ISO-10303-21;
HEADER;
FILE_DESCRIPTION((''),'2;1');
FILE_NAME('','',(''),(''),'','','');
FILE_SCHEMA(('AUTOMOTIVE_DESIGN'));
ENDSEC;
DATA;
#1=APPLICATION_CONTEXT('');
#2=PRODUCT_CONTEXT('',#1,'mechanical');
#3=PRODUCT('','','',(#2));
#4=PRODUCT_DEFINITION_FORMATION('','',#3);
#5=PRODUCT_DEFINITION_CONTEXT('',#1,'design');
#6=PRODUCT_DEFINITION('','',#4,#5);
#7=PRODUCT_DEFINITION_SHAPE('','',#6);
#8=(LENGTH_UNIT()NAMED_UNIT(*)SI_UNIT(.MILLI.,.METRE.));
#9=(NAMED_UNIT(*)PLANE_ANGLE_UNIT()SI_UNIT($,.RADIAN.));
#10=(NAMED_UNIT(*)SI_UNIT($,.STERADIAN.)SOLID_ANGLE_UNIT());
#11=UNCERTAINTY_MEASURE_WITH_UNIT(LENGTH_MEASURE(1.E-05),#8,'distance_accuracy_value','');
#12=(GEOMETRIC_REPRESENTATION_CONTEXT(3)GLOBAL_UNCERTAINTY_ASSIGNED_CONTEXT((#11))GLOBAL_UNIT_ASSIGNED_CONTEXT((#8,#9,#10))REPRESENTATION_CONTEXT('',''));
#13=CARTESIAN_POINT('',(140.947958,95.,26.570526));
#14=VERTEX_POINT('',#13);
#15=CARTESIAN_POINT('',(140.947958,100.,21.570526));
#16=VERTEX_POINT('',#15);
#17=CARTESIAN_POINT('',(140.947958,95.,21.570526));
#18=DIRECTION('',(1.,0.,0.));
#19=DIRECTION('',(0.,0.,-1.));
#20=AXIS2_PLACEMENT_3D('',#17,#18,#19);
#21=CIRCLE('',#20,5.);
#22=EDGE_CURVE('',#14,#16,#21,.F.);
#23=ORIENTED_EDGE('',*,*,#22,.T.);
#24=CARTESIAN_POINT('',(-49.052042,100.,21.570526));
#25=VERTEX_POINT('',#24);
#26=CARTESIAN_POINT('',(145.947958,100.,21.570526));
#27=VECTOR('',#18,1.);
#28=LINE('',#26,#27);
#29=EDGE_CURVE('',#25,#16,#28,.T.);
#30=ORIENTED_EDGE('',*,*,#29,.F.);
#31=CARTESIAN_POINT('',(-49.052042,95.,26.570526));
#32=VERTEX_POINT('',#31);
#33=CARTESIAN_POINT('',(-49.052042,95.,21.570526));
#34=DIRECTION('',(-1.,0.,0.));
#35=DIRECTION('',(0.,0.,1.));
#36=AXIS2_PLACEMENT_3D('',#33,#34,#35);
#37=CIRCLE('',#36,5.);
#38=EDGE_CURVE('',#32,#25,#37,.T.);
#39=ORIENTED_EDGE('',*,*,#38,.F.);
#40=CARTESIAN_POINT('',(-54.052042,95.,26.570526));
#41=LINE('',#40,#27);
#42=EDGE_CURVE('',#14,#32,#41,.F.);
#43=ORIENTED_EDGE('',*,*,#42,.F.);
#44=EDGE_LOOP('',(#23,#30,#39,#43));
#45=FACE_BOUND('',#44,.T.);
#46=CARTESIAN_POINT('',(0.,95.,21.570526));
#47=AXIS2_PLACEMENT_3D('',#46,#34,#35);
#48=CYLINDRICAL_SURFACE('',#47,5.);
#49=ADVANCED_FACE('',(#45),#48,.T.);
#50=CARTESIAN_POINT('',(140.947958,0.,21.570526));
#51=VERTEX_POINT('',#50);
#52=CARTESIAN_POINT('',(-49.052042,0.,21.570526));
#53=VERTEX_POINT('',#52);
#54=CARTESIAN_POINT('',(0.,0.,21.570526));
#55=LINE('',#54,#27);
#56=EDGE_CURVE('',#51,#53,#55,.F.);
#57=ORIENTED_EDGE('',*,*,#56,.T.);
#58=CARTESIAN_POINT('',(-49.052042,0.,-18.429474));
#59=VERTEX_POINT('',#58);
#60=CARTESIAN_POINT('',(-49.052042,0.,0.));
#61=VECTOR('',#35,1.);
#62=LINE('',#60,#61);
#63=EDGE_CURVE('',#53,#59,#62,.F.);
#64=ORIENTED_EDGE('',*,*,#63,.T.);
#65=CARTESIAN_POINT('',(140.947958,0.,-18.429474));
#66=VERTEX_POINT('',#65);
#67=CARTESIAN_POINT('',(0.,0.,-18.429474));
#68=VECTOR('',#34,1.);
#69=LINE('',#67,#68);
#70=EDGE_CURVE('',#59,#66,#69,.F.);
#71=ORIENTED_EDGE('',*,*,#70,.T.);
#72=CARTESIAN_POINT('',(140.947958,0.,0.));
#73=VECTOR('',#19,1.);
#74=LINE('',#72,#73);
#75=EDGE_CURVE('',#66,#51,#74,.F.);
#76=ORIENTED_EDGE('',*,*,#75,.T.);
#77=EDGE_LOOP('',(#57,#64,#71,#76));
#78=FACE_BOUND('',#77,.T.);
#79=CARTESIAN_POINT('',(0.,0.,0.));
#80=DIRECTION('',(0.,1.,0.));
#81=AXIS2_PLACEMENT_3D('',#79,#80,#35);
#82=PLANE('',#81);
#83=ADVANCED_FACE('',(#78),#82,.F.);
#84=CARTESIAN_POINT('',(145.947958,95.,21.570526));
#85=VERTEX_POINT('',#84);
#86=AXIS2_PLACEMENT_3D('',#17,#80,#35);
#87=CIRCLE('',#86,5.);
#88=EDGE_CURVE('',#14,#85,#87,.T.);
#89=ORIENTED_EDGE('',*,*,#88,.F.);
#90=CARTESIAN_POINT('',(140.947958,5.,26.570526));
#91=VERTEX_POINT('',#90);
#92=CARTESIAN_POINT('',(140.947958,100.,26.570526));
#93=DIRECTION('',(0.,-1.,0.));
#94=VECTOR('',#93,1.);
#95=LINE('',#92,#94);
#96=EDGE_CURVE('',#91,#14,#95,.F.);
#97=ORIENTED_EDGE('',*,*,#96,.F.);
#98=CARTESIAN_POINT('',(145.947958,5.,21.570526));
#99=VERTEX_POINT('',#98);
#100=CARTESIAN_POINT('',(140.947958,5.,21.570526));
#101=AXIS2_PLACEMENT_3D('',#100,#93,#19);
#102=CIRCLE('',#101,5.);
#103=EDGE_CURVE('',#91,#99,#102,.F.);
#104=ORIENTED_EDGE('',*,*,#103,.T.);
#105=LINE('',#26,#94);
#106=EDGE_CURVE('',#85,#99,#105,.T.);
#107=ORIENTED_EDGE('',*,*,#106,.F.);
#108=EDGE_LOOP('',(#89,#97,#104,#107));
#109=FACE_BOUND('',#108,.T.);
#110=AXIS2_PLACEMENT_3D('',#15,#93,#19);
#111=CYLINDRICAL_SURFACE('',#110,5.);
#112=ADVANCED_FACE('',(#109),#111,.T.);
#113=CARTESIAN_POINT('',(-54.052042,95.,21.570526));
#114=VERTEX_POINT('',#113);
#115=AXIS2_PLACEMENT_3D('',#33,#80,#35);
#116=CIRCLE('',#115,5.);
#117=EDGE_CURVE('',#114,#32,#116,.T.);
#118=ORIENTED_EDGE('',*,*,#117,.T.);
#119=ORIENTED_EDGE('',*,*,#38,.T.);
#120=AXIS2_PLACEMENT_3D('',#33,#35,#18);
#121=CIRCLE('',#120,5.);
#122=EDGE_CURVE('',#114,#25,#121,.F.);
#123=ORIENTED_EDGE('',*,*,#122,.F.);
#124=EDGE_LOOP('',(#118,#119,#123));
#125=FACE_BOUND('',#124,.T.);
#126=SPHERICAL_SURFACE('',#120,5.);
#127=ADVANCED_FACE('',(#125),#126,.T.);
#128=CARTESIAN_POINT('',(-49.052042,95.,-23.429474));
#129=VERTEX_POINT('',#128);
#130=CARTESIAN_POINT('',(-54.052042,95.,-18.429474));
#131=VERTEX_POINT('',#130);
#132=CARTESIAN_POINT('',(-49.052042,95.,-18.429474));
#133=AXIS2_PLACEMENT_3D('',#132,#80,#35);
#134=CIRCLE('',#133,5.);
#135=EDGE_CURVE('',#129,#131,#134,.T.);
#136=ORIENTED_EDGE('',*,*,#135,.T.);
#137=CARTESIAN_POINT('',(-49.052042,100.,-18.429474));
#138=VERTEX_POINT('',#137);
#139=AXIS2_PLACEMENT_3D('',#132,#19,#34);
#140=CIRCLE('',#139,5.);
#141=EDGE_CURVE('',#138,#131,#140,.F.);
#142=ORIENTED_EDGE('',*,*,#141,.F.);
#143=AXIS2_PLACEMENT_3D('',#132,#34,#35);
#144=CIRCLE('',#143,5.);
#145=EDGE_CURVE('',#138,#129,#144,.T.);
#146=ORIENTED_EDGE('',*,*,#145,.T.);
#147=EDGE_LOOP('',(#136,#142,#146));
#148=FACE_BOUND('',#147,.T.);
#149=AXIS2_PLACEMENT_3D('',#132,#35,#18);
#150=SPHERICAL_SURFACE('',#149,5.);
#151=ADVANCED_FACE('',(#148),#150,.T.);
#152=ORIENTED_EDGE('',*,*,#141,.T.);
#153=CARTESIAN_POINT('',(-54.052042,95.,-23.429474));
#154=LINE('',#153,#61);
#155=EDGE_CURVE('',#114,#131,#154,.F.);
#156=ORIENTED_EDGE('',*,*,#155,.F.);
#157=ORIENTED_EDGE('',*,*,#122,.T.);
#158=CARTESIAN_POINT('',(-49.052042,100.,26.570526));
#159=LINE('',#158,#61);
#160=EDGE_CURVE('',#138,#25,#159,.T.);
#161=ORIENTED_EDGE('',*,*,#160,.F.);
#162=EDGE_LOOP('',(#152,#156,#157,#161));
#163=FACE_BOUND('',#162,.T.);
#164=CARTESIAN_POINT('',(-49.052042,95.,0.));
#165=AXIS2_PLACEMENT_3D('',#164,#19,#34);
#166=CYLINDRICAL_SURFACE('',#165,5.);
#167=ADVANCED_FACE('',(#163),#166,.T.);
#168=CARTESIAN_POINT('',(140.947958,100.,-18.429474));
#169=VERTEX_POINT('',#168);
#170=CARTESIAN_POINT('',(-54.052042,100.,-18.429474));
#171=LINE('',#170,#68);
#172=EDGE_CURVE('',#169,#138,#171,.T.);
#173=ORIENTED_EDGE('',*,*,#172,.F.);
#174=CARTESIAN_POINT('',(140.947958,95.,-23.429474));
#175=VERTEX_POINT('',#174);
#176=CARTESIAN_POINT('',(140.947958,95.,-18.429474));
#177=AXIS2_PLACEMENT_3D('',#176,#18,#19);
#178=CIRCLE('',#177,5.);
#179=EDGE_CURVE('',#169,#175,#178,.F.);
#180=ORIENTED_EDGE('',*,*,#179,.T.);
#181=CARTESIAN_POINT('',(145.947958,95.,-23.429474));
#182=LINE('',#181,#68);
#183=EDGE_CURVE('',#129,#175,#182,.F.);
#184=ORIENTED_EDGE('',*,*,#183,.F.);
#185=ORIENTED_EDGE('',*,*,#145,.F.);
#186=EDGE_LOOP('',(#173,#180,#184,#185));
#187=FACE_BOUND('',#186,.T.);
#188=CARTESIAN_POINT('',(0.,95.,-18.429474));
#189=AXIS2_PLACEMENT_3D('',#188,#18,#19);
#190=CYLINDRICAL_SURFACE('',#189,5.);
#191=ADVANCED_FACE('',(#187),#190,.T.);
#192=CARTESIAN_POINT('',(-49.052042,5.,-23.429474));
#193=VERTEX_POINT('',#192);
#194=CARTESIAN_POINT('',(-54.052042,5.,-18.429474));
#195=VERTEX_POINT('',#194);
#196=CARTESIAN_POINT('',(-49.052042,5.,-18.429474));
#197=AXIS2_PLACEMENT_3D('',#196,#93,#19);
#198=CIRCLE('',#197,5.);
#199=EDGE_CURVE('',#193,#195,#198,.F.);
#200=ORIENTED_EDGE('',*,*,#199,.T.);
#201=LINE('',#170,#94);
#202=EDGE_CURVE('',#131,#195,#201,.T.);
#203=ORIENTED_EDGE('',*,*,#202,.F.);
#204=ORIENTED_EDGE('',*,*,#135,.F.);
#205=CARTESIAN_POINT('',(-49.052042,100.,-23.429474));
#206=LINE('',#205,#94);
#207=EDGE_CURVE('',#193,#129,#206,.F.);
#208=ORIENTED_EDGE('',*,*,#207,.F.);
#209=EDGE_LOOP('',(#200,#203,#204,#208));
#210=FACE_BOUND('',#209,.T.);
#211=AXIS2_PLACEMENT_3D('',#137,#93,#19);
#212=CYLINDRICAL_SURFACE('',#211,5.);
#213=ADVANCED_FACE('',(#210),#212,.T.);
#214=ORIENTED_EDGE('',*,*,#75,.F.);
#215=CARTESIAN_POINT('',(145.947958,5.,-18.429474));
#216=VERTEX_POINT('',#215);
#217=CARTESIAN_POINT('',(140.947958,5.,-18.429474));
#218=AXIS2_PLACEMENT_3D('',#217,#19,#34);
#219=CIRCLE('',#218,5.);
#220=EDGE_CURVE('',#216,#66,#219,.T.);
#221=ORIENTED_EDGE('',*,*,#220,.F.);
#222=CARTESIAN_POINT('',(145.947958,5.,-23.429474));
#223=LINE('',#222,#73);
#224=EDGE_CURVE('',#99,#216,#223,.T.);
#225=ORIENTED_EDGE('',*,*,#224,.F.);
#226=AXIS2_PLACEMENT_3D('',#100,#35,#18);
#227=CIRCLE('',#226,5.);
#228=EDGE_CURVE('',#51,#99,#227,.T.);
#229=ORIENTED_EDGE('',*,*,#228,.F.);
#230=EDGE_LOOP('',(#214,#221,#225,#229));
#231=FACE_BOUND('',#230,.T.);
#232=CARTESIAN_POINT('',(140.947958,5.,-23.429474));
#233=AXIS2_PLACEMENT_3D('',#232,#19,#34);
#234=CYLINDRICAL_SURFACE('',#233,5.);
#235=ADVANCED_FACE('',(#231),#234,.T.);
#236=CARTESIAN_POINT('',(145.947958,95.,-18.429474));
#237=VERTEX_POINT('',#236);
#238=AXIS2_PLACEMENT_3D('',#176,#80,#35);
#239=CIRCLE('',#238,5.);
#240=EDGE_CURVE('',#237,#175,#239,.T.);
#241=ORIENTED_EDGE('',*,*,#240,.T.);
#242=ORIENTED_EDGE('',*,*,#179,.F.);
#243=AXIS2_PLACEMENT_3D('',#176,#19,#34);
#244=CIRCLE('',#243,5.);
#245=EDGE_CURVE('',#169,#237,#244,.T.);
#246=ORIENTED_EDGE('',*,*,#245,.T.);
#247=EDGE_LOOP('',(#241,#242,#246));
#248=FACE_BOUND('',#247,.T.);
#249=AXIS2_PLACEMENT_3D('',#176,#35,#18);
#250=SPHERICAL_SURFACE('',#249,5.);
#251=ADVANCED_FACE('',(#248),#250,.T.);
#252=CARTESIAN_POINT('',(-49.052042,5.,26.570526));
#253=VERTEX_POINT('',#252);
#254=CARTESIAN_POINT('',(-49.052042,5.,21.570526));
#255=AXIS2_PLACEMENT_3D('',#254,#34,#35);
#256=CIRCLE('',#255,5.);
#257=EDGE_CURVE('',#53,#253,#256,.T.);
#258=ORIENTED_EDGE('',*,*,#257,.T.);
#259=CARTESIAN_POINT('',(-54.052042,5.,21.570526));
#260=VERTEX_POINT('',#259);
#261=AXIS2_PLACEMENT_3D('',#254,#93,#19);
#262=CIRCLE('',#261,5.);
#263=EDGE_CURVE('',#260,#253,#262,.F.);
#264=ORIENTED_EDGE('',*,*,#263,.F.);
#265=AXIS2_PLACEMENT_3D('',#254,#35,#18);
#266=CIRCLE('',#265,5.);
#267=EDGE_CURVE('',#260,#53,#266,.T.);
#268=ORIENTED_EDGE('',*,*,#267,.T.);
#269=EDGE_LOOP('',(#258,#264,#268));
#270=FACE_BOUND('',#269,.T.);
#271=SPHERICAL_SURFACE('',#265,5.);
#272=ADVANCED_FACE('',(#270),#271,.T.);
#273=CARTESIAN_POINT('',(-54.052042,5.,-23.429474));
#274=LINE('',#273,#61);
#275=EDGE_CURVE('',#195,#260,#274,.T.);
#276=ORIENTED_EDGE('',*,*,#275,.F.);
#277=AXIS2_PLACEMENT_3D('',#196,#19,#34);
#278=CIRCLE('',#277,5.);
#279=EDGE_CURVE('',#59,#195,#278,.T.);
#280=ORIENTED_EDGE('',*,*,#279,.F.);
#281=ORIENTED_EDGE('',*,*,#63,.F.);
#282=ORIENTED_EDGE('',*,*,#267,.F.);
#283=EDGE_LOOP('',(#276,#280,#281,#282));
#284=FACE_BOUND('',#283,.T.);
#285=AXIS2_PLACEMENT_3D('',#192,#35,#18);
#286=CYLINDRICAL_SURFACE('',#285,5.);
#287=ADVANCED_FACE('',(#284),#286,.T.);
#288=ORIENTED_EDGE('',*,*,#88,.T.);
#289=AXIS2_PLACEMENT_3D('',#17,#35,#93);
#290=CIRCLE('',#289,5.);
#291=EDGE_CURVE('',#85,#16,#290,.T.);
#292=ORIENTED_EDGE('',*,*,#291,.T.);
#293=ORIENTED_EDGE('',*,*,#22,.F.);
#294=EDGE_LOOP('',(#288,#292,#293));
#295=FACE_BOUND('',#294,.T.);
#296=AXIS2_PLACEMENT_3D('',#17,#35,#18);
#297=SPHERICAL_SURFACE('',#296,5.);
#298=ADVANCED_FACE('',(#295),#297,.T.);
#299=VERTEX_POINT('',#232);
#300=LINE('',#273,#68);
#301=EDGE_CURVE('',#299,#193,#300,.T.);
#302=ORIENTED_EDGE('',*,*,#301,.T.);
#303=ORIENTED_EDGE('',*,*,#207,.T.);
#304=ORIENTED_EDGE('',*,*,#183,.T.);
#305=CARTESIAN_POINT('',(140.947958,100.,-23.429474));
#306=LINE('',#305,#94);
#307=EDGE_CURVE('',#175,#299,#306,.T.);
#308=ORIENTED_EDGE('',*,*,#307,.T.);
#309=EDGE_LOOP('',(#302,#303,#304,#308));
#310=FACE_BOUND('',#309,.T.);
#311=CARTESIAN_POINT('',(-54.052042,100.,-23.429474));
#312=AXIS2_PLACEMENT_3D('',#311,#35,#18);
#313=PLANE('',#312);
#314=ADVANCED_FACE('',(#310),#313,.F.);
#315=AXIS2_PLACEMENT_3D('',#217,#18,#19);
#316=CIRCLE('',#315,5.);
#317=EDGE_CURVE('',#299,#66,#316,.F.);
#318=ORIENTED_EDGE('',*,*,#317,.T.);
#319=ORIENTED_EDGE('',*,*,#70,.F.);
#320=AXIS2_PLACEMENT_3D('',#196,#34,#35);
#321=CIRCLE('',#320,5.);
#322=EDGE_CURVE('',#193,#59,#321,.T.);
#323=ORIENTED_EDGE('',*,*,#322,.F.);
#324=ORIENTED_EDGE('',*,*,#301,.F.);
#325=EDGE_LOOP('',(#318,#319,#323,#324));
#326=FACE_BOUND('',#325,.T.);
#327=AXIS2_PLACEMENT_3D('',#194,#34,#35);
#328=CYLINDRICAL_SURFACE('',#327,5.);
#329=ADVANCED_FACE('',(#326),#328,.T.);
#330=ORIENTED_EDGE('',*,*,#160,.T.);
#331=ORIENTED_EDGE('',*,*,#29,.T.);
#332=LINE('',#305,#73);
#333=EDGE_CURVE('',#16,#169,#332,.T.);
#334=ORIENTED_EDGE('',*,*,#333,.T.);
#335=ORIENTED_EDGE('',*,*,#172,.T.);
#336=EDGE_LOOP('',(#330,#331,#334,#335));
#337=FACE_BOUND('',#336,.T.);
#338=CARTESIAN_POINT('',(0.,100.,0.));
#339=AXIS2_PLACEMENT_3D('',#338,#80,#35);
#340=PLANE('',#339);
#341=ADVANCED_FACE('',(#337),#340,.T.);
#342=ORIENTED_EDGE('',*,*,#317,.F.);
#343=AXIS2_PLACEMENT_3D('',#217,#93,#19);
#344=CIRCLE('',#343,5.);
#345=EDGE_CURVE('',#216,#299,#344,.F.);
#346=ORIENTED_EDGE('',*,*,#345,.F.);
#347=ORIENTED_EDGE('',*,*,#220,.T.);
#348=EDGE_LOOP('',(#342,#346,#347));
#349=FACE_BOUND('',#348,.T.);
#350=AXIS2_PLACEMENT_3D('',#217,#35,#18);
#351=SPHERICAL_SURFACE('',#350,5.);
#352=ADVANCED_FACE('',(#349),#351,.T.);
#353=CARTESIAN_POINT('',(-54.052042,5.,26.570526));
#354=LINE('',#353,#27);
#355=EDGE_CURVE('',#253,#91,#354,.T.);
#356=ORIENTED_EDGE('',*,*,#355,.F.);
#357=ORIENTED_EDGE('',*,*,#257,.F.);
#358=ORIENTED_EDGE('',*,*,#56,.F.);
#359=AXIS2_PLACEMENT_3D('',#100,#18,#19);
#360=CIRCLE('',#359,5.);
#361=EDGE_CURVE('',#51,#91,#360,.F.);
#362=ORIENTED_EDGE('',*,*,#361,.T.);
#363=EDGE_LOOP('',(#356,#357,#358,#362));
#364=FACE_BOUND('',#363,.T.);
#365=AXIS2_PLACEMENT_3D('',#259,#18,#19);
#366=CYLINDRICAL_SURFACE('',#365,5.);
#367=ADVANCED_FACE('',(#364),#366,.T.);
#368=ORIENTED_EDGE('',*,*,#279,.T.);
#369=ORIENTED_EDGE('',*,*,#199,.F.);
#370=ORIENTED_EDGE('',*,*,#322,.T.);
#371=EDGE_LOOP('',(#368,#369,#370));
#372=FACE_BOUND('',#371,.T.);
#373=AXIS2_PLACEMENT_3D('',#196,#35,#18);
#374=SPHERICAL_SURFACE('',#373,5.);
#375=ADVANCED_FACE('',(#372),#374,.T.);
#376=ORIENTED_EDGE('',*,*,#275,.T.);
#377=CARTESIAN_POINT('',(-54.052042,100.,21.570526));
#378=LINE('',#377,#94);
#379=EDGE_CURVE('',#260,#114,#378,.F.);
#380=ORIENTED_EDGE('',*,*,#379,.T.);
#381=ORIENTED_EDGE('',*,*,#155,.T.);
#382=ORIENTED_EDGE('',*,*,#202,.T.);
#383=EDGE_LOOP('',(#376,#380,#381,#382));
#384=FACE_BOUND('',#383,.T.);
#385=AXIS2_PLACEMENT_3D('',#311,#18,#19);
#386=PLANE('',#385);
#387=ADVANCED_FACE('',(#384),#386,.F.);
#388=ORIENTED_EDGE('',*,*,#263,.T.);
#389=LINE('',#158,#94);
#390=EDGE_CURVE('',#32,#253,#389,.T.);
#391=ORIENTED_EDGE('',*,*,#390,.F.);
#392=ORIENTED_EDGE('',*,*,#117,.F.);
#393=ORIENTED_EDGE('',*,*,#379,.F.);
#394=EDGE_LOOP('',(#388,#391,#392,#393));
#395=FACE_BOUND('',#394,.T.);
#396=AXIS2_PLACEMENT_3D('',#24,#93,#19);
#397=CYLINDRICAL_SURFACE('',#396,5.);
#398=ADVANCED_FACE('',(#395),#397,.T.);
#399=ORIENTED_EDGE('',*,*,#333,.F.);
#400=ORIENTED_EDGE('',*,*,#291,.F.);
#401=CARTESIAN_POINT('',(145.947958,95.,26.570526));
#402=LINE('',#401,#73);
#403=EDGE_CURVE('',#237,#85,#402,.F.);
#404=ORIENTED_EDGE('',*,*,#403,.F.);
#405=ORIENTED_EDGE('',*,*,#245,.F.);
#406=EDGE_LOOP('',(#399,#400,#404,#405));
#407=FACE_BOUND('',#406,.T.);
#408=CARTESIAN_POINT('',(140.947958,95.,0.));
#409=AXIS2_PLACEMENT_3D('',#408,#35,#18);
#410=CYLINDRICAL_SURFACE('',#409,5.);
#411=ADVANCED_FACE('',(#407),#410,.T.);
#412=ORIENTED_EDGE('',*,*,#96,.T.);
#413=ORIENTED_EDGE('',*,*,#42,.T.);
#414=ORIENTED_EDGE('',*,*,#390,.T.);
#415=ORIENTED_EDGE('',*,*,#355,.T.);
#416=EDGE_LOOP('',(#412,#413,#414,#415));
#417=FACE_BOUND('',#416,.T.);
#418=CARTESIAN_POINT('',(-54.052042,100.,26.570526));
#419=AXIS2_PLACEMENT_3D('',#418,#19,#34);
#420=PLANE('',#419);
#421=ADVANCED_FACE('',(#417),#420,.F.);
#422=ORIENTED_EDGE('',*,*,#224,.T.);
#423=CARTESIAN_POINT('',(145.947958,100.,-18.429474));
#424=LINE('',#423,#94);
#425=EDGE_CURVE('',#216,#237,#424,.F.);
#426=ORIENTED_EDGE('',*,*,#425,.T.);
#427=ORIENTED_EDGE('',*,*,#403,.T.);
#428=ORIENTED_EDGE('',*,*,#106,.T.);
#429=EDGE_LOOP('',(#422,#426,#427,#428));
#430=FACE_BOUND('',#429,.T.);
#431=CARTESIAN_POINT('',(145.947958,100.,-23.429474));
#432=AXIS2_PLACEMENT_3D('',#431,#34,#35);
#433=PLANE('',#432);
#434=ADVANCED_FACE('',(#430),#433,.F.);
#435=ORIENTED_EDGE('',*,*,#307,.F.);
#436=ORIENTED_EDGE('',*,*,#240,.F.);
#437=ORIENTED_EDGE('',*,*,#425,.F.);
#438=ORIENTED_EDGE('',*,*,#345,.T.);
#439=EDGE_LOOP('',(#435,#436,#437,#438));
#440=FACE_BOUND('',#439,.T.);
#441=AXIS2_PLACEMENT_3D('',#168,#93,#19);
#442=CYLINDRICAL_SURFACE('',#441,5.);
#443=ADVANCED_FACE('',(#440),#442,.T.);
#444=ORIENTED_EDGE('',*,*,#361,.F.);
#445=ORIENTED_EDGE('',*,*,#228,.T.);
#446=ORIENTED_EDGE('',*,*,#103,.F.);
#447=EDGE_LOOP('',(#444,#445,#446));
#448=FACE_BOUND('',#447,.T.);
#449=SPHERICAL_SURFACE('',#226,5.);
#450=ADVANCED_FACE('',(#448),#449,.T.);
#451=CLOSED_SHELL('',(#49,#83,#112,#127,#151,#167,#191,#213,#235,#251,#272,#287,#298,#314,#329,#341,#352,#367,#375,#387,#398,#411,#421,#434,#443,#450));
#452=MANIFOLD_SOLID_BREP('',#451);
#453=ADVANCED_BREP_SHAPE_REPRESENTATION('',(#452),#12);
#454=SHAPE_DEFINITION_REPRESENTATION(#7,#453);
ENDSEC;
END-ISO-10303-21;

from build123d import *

# Parameters (mm, degrees)
ESBO_O1_W                = 200
ESBO_O1_H                = 50
RESSALTO_EXTRUS_O1_DEPTH = 100
FILETE8_R                = 5


with BuildPart() as part:
    # Esboço1 → Ressalto-extrusão1 (new body)
    with BuildSketch(Plane(origin=(0, 0, 0), x_dir=(1, 0, 0), z_dir=(0, 1, 0))):
        with Locations((45.947958133, -1.570526198)):
            Rectangle(ESBO_O1_W, ESBO_O1_H)
    extrude(amount=RESSALTO_EXTRUS_O1_DEPTH)

    # Filete8
    filete8_edges = [part.edges().sort_by_distance(p)[0] for p in [
        (145.947958133, 100, 1.570526198),
        (45.947958133, 100, -23.429473802),
        (-54.052041867, 100, 1.570526198),
        (45.947958133, 0, -23.429473802),
        (145.947958133, 0, 1.570526198),
        (45.947958133, 0, 26.570526198),
        (-54.052041867, 0, 1.570526198),
        (45.947958133, 100, 26.570526198),
        (-54.052041867, 50, -23.429473802),
        (145.947958133, 50, -23.429473802),
        (145.947958133, 50, 26.570526198),
        (-54.052041867, 50, 26.570526198),
    ]]
    fillet(filete8_edges, radius=FILETE8_R)


solid = part.part
